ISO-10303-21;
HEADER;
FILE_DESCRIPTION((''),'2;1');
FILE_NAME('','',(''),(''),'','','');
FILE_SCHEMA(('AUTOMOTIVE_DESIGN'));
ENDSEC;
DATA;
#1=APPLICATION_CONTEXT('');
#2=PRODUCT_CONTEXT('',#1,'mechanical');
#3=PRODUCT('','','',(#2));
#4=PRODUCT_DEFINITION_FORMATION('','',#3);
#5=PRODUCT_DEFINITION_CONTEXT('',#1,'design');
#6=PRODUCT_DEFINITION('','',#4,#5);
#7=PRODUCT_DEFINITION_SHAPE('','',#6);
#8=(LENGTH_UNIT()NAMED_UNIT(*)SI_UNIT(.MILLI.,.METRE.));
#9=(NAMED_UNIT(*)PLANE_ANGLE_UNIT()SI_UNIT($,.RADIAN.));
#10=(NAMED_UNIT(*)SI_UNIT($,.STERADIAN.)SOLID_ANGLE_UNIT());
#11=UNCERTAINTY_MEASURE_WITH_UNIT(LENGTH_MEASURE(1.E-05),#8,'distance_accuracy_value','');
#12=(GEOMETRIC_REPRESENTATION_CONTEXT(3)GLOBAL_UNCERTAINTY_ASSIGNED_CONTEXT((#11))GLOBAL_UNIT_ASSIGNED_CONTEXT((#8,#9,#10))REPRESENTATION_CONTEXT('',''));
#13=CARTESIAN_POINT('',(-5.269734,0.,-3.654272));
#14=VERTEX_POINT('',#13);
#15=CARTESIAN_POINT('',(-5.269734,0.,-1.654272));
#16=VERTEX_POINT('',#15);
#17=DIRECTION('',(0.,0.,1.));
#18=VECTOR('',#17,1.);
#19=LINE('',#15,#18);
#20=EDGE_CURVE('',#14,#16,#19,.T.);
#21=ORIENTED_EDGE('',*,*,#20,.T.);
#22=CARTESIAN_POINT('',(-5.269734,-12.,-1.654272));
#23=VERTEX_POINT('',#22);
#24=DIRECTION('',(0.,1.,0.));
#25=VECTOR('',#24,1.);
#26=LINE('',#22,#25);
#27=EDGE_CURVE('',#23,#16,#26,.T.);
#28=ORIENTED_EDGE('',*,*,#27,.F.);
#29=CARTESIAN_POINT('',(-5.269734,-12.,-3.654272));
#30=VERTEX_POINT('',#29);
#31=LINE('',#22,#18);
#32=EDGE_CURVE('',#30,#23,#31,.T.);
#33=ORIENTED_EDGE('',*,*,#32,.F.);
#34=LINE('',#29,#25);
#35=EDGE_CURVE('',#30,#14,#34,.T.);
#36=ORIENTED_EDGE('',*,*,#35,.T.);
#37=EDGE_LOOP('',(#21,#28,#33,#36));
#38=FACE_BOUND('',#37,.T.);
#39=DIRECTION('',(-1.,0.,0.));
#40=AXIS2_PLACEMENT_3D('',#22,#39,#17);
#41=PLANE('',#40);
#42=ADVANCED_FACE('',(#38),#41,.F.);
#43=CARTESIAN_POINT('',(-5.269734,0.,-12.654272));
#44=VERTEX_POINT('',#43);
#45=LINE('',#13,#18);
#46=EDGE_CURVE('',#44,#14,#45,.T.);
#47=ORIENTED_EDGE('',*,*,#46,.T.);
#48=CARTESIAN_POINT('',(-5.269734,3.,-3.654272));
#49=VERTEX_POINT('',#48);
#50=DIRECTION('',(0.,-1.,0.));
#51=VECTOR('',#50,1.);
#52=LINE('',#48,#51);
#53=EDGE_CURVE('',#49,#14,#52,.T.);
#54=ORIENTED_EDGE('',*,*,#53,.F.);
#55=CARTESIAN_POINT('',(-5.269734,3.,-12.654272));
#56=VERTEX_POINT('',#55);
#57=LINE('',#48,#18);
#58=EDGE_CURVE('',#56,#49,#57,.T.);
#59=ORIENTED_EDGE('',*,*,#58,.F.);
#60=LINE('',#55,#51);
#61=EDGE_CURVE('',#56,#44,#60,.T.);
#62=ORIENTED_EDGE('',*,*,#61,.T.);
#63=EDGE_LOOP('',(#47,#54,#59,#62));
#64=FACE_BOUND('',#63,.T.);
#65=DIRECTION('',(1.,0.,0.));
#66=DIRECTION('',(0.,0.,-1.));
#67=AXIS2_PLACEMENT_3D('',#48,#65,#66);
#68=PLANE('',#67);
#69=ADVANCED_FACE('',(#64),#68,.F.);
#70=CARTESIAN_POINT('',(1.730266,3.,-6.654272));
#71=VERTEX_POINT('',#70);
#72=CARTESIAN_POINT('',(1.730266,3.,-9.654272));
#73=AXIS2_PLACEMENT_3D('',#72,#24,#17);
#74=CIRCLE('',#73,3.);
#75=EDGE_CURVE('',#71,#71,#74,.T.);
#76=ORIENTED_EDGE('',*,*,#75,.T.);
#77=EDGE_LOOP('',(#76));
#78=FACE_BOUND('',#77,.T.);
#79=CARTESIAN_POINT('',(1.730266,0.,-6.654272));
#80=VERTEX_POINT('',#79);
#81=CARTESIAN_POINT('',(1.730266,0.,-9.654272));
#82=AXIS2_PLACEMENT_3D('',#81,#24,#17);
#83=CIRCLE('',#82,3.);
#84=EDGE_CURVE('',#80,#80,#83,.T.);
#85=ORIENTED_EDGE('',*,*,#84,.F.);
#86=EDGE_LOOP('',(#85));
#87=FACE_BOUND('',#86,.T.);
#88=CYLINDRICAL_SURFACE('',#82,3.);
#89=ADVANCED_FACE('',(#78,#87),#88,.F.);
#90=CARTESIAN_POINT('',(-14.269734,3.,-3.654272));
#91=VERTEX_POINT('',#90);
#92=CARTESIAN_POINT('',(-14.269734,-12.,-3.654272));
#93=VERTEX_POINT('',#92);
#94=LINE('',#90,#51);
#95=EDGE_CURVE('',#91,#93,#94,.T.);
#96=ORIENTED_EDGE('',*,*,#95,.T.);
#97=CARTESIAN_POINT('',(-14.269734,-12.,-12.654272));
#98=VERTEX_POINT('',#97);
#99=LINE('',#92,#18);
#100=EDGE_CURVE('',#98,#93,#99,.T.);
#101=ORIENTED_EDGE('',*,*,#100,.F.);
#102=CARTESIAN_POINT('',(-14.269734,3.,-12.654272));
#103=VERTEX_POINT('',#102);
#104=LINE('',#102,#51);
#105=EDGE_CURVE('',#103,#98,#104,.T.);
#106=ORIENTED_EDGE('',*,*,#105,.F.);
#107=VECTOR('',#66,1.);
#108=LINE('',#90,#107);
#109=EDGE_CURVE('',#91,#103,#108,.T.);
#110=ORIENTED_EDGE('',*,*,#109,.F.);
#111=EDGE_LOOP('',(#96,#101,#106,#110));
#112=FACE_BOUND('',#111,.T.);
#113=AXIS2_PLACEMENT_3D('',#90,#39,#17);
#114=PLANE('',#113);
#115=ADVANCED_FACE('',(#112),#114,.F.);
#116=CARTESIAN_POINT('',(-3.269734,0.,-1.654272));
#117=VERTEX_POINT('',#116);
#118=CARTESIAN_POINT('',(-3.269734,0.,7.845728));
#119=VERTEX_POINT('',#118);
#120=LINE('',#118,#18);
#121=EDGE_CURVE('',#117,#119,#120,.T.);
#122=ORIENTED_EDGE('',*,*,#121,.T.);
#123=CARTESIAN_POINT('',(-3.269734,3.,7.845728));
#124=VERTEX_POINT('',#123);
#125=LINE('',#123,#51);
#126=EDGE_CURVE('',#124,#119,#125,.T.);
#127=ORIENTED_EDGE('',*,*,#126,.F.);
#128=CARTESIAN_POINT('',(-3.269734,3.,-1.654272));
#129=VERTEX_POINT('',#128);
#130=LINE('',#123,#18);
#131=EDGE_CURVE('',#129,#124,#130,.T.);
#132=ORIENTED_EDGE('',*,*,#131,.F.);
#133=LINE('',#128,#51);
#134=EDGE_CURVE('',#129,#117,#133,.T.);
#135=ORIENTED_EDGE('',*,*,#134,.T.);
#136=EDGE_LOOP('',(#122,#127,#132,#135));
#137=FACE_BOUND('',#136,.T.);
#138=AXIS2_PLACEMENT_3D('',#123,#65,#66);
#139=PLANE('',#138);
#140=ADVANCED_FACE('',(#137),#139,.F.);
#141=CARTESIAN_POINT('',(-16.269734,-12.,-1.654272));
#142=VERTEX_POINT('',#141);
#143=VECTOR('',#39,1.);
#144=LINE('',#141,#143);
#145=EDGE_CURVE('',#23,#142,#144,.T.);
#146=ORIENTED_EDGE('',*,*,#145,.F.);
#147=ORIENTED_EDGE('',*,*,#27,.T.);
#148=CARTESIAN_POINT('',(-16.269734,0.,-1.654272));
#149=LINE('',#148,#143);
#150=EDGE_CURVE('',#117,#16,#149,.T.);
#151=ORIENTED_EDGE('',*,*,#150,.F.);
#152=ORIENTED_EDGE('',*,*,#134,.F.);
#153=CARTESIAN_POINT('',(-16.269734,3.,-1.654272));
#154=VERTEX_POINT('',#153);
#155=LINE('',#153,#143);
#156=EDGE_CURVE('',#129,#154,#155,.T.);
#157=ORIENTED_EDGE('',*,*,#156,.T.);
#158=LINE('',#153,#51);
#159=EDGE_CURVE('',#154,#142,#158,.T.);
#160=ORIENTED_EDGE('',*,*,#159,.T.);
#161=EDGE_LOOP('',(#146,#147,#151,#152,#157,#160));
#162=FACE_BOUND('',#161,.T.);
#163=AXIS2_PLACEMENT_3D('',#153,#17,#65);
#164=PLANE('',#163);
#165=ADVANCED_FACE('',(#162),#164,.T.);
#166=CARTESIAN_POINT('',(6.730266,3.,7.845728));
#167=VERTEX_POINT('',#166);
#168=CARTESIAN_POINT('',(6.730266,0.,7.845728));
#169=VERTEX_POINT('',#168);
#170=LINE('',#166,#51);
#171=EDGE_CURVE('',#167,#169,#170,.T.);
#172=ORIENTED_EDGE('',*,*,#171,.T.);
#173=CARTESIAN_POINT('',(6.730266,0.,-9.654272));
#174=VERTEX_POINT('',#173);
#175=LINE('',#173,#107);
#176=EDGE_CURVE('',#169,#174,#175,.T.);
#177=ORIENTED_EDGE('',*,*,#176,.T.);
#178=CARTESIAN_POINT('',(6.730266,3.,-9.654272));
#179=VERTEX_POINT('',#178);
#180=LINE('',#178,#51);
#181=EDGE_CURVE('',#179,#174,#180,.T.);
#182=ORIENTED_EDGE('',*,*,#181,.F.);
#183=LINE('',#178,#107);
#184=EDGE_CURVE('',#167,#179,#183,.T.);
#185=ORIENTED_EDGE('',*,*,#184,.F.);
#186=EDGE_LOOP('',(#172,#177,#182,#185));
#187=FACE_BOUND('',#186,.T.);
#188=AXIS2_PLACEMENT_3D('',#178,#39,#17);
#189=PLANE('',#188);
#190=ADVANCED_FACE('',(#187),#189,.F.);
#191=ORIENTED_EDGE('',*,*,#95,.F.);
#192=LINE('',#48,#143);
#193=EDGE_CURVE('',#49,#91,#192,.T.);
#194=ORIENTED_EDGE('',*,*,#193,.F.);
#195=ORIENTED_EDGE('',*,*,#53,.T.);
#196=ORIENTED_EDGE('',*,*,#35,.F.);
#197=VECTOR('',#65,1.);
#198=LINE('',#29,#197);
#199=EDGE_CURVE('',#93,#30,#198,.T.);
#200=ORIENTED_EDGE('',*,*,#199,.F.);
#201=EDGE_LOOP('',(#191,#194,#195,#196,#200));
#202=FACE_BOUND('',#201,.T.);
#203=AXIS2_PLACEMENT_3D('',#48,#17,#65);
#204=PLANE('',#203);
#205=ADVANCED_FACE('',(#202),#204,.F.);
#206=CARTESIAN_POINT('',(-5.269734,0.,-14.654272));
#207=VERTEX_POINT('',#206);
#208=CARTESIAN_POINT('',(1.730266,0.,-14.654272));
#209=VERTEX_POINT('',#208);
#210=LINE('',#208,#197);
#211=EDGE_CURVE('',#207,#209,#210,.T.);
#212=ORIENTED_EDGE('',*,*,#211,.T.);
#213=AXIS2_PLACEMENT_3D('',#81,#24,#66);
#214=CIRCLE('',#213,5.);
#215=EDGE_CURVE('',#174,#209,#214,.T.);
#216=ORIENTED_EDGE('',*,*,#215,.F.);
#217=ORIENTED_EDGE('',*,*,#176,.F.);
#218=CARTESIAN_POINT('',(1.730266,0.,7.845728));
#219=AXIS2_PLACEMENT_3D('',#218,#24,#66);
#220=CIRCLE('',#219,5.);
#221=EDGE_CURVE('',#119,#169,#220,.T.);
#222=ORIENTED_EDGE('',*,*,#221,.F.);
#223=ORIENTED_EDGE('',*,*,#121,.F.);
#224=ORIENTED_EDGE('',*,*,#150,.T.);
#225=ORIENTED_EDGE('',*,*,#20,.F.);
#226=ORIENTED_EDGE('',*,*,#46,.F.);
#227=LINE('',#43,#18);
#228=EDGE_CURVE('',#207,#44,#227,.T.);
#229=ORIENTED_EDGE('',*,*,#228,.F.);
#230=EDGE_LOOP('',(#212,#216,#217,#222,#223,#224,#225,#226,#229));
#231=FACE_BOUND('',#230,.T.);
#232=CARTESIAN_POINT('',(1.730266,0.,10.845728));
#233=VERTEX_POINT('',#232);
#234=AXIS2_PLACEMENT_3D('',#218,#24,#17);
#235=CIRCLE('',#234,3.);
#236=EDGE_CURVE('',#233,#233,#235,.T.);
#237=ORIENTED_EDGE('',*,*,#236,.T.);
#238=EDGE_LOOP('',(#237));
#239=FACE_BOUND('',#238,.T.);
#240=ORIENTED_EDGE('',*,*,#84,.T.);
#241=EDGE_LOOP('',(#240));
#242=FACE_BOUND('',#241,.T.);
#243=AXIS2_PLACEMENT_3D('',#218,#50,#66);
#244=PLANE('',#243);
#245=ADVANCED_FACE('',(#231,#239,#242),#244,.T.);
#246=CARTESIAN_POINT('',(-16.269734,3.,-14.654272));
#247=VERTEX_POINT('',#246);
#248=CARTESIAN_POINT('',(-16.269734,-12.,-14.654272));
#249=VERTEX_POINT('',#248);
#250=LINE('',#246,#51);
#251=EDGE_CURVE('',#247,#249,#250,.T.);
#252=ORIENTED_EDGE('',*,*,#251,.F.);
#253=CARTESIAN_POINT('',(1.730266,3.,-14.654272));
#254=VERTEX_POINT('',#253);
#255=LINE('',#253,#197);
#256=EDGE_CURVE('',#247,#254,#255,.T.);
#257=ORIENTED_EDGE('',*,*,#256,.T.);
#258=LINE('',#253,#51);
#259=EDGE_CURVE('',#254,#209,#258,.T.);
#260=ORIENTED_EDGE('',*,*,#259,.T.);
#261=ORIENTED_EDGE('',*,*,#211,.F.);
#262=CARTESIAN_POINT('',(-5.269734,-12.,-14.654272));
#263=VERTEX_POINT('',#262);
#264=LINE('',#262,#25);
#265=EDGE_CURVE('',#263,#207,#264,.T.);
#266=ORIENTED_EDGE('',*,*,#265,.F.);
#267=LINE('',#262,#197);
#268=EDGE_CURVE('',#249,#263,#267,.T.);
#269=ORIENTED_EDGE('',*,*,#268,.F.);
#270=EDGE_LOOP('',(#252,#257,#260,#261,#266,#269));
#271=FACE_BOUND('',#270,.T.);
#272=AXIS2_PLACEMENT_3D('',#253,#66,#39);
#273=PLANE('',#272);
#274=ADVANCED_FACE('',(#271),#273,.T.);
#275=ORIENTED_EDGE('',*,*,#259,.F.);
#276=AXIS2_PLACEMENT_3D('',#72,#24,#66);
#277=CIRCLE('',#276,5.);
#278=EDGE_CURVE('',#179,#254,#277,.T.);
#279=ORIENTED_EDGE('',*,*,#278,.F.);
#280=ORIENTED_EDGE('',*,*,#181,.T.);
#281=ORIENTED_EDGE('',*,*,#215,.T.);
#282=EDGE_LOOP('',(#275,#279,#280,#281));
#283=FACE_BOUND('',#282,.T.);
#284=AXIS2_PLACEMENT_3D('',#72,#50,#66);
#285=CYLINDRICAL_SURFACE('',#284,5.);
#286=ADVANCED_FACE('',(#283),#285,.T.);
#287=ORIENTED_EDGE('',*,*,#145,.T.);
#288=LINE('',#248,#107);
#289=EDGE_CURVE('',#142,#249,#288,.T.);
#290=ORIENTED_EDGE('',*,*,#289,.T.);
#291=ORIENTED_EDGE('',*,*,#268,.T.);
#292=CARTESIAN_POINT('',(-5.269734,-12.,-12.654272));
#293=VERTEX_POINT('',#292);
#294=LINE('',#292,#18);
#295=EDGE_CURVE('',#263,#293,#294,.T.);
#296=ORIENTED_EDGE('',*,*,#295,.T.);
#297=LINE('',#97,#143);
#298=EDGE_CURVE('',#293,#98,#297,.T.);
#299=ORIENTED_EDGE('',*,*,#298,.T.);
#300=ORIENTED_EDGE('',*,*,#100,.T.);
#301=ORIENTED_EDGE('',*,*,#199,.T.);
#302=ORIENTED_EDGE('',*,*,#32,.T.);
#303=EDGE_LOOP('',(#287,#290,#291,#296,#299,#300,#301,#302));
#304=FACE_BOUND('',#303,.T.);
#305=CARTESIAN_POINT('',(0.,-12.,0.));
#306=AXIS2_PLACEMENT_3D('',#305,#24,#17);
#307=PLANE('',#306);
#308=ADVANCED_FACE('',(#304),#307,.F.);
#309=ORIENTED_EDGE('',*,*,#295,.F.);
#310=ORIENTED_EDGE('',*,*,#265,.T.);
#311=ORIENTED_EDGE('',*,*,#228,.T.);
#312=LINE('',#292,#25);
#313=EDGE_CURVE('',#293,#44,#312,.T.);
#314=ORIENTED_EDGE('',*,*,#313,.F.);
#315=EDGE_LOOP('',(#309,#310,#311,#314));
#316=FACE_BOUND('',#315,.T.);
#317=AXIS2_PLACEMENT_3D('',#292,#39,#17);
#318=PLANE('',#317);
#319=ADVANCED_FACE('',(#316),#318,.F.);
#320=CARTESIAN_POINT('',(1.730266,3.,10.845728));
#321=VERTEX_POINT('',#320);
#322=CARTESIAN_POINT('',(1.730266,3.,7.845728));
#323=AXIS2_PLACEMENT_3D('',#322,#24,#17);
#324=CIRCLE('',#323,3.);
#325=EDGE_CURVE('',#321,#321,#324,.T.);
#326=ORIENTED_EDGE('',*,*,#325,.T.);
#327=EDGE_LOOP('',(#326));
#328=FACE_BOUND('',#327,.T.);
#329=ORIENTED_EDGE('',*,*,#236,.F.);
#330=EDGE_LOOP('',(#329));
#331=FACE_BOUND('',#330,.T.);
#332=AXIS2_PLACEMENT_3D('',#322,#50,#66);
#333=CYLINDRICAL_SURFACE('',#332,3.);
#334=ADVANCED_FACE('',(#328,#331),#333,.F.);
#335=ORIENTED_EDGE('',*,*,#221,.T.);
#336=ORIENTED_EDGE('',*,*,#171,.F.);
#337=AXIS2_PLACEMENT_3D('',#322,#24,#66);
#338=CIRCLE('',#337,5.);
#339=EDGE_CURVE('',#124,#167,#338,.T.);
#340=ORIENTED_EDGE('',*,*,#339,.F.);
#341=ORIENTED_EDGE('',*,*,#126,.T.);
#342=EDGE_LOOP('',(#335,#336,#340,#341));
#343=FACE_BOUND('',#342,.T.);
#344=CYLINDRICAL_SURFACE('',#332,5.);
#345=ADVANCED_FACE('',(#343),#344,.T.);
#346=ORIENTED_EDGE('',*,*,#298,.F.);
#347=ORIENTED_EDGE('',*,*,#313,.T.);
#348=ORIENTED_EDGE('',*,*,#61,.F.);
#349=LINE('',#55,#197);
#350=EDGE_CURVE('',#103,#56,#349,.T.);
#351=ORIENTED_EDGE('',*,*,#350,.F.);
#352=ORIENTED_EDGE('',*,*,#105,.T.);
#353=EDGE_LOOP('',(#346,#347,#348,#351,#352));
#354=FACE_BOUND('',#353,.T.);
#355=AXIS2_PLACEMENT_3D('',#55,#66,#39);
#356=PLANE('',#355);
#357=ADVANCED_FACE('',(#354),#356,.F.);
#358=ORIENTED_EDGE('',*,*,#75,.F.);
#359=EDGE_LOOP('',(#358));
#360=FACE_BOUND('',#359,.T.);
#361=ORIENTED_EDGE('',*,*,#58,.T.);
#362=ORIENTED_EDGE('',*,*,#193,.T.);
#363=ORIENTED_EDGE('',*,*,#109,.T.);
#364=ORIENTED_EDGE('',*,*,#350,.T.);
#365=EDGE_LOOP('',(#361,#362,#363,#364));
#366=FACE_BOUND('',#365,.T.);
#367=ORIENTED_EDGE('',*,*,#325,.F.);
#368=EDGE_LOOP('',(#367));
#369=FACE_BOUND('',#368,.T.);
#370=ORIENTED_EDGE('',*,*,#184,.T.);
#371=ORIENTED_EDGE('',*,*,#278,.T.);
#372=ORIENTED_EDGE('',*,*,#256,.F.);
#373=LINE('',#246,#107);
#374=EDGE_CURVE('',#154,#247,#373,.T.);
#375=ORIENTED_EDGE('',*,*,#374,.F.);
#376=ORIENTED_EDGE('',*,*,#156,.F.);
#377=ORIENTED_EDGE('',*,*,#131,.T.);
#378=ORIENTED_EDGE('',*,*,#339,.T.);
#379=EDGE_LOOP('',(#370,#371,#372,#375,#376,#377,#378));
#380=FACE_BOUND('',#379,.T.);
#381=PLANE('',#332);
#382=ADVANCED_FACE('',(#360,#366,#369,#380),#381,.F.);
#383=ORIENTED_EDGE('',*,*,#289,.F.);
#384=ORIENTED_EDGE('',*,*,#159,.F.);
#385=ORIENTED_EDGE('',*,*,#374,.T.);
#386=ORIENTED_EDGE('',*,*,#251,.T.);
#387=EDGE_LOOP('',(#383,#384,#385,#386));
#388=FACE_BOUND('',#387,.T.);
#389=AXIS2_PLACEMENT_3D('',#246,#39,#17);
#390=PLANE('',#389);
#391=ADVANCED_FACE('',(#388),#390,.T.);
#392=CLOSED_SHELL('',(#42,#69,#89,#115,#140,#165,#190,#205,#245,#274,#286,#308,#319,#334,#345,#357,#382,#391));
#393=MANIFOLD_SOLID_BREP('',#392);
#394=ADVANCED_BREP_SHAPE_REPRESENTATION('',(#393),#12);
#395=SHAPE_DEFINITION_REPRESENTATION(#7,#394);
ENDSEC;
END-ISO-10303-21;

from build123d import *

# Parameters (mm, degrees)
SKETCH1_R           = 3
BOSS_EXTRUDE1_DEPTH = 3
SKETCH2_R           = 3
CUT_EXTRUDE1_DEPTH  = 3
SKETCH3_W           = 9
SKETCH3_H           = 9
BOSS_EXTRUDE2_DEPTH = 3
BOSS_EXTRUDE3_DEPTH = 12


with BuildPart() as part:
    # Sketch1 → Boss-Extrude1 (new body)
    with BuildSketch(Plane(origin=(0, 0, 0), x_dir=(1, 0, 0), z_dir=(0, 1, 0))):
        with BuildLine():
            Line((-3.269734365, -7.845727727), (-3.269734365, 9.654272273))
            ThreePointArc((-3.269734365, 9.654272273), (1.730265635, 14.654272273), (6.730265635, 9.654272273))
            Line((6.730265635, 9.654272273), (6.730265635, -7.845727727))
            ThreePointArc((6.730265635, -7.845727727), (1.730265635, -12.845727727), (-3.269734365, -7.845727727))
        make_face()
        with Locations((1.730265635, -7.845727727)):
            Circle(SKETCH1_R, mode=Mode.SUBTRACT)
    extrude(amount=BOSS_EXTRUDE1_DEPTH)

    # Sketch2 → Cut-Extrude1 (cut)
    with BuildSketch(Plane(origin=(0, 3, 0), x_dir=(1, 0, 0), z_dir=(0, 1, 0))):
        with Locations((1.730265635, 9.654272273)):
            Circle(SKETCH2_R)
    extrude(amount=-CUT_EXTRUDE1_DEPTH, mode=Mode.SUBTRACT)

    # Sketch3 → Boss-Extrude2 (add)
    with BuildSketch(Plane(origin=(0, 0, 0), x_dir=(-1, 0, 0), z_dir=(0, -1, 0))):
        with BuildLine():
            Line((-1.730265635, 14.654272273), (16.269734365, 14.654272273))
            Line((16.269734365, 14.654272273), (16.269734365, 1.654272273))
            Line((16.269734365, 1.654272273), (3.269734365, 1.654272273))
            Line((3.269734365, 1.654272273), (3.269734365, 9.654272273))
            ThreePointArc((3.269734365, 9.654272273), (1.805268271, 13.189806179), (-1.730265635, 14.654272273))
        make_face()
        with Locations((9.769734365, 8.154272273)):
            Rectangle(SKETCH3_W, SKETCH3_H, mode=Mode.SUBTRACT)
    extrude(amount=-BOSS_EXTRUDE2_DEPTH)

    # Sketch4 → Boss-Extrude3 (add)
    with BuildSketch(Plane(origin=(0, 0, 0), x_dir=(-1, 0, 0), z_dir=(0, -1, 0))):
        Polygon((5.269734365, 12.654272273), (5.269734365, 14.654272273), (16.269734365, 14.654272273), (16.269734365, 1.654272273), (5.269734365, 1.654272273), (5.269734365, 3.654272273), (14.269734365, 3.654272273), (14.269734365, 12.654272273), align=None)
    extrude(amount=BOSS_EXTRUDE3_DEPTH)


solid = part.part
